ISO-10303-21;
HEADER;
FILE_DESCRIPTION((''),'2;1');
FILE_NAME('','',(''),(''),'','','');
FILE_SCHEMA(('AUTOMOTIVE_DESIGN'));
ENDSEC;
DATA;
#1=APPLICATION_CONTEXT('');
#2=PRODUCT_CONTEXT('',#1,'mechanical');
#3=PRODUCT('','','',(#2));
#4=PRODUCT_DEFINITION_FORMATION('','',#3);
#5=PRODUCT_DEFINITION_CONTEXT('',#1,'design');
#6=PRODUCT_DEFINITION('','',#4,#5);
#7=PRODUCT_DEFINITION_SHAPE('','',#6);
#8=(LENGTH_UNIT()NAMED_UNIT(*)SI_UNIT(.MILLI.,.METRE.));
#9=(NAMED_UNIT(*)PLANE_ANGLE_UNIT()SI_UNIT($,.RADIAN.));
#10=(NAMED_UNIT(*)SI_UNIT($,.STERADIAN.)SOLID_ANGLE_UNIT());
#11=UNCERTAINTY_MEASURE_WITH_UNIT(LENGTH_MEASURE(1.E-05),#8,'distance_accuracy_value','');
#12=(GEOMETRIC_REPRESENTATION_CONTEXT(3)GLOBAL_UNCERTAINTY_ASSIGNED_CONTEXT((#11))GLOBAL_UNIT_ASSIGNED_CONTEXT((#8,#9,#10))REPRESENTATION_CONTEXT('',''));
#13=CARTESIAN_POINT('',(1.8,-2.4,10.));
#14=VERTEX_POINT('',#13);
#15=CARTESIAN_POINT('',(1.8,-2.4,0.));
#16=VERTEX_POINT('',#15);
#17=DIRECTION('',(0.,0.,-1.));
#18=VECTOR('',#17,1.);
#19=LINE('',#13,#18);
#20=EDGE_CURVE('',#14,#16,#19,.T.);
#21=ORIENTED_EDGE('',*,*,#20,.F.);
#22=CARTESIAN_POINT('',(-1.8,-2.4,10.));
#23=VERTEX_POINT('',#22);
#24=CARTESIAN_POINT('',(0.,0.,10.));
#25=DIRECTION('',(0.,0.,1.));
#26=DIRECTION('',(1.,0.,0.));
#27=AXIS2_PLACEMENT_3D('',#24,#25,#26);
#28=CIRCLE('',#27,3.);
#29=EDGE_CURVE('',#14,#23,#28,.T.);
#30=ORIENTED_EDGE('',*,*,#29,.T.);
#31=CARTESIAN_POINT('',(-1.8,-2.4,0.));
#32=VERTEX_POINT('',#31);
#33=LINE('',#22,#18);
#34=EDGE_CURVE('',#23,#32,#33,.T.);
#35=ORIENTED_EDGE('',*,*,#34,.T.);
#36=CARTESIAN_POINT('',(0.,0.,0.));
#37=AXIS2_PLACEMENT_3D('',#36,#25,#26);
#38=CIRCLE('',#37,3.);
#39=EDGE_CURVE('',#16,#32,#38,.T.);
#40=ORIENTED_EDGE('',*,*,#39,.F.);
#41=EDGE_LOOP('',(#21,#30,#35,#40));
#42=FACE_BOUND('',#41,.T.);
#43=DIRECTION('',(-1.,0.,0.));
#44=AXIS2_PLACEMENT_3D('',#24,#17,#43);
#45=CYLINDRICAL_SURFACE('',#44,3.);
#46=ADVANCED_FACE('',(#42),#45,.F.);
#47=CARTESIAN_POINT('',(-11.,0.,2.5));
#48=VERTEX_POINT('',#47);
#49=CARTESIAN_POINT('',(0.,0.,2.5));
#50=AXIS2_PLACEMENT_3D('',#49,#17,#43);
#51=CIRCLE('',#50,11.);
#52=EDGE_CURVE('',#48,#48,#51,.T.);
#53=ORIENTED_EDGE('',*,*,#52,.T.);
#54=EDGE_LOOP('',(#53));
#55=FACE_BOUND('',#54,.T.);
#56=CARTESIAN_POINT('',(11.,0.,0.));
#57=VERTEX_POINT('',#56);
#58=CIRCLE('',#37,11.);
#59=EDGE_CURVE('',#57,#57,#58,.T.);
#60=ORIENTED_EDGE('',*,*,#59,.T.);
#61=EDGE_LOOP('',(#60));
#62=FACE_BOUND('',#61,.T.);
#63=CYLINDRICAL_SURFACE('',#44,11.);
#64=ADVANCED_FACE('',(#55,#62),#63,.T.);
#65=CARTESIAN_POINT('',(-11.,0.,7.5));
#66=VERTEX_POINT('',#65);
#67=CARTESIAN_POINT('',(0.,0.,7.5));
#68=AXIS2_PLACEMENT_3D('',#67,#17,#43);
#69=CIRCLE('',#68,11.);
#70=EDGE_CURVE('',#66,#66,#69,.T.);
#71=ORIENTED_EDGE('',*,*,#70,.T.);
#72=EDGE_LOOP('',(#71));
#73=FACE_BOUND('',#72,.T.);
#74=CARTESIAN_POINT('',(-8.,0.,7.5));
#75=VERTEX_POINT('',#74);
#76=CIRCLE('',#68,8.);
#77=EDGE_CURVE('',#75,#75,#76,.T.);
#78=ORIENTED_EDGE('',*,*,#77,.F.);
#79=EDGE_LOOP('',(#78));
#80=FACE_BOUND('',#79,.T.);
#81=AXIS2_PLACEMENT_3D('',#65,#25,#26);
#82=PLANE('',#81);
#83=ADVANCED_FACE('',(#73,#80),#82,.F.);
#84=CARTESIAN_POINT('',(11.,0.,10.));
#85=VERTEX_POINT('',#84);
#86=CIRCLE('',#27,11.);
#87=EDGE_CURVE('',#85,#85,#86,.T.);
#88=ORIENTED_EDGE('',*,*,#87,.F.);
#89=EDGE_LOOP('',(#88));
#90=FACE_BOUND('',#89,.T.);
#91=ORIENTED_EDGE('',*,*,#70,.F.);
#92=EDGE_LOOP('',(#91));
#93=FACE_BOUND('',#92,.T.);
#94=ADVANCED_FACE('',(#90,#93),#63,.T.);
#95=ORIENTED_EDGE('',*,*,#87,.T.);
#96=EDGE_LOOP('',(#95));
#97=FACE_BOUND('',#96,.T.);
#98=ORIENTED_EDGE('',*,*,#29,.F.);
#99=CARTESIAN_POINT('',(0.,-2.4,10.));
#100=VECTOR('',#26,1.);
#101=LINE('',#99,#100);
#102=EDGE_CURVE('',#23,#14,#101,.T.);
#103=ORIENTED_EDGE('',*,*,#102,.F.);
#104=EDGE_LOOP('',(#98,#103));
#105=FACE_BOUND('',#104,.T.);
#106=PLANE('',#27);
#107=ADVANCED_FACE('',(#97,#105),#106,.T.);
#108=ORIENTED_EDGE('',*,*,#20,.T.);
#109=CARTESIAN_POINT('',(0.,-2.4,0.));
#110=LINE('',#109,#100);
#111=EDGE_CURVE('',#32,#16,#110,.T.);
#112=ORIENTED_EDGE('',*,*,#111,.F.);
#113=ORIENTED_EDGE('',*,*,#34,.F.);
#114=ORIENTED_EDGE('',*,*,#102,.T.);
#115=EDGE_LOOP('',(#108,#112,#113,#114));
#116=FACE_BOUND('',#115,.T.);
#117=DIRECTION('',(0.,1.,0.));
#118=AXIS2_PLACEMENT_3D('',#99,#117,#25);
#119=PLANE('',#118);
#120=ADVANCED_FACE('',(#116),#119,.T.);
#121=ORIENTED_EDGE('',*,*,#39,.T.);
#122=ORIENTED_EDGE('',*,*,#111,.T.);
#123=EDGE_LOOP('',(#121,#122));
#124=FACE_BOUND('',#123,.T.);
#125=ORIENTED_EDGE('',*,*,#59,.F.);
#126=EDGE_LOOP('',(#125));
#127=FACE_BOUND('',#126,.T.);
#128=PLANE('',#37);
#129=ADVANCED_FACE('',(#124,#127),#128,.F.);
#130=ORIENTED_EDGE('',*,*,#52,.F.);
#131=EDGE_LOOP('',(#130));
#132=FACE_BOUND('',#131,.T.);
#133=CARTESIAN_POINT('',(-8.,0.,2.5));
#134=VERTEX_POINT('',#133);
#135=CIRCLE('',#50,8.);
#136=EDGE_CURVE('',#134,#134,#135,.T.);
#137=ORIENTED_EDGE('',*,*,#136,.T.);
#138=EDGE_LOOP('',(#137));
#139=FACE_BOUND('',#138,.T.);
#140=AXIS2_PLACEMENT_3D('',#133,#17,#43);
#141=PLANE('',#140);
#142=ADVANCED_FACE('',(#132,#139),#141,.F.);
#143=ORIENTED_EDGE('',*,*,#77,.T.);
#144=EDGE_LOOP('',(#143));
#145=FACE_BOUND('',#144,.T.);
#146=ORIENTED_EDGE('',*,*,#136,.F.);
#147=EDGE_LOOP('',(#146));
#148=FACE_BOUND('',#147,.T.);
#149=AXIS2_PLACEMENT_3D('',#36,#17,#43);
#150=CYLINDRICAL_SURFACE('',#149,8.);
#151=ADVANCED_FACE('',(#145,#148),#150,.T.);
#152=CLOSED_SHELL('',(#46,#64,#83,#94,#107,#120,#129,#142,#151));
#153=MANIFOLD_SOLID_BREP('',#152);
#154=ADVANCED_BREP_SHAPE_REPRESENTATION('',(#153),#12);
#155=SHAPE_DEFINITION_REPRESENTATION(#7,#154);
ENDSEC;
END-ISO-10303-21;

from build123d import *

# Parameters (mm, degrees)
SKETCH1_R           = 11
BOSS_EXTRUDE1_DEPTH = 10
SKETCH2_W           = 3
SKETCH2_H           = 5


with BuildPart() as part:
    # Sketch1 → Boss-Extrude1 (new body)
    with BuildSketch(Plane.XY):
        Circle(SKETCH1_R)
        with BuildLine():
            ThreePointArc((1.8, -2.4), (0, 3), (-1.8, -2.4))
            Line((-1.8, -2.4), (1.8, -2.4))
        make_face(mode=Mode.SUBTRACT)
    extrude(amount=BOSS_EXTRUDE1_DEPTH)

    # Sketch2 → Cut-Revolve1 (revolve, cut)
    with BuildSketch(Plane(origin=(0, 0, 0), x_dir=(1, 0, 0), z_dir=(0, 1, 0))):
        with Locations((-9.5, -5)):
            Rectangle(SKETCH2_W, SKETCH2_H)
    revolve(axis=Axis((0, 0, 0), (0, 0, 1)), mode=Mode.SUBTRACT)


solid = part.part
